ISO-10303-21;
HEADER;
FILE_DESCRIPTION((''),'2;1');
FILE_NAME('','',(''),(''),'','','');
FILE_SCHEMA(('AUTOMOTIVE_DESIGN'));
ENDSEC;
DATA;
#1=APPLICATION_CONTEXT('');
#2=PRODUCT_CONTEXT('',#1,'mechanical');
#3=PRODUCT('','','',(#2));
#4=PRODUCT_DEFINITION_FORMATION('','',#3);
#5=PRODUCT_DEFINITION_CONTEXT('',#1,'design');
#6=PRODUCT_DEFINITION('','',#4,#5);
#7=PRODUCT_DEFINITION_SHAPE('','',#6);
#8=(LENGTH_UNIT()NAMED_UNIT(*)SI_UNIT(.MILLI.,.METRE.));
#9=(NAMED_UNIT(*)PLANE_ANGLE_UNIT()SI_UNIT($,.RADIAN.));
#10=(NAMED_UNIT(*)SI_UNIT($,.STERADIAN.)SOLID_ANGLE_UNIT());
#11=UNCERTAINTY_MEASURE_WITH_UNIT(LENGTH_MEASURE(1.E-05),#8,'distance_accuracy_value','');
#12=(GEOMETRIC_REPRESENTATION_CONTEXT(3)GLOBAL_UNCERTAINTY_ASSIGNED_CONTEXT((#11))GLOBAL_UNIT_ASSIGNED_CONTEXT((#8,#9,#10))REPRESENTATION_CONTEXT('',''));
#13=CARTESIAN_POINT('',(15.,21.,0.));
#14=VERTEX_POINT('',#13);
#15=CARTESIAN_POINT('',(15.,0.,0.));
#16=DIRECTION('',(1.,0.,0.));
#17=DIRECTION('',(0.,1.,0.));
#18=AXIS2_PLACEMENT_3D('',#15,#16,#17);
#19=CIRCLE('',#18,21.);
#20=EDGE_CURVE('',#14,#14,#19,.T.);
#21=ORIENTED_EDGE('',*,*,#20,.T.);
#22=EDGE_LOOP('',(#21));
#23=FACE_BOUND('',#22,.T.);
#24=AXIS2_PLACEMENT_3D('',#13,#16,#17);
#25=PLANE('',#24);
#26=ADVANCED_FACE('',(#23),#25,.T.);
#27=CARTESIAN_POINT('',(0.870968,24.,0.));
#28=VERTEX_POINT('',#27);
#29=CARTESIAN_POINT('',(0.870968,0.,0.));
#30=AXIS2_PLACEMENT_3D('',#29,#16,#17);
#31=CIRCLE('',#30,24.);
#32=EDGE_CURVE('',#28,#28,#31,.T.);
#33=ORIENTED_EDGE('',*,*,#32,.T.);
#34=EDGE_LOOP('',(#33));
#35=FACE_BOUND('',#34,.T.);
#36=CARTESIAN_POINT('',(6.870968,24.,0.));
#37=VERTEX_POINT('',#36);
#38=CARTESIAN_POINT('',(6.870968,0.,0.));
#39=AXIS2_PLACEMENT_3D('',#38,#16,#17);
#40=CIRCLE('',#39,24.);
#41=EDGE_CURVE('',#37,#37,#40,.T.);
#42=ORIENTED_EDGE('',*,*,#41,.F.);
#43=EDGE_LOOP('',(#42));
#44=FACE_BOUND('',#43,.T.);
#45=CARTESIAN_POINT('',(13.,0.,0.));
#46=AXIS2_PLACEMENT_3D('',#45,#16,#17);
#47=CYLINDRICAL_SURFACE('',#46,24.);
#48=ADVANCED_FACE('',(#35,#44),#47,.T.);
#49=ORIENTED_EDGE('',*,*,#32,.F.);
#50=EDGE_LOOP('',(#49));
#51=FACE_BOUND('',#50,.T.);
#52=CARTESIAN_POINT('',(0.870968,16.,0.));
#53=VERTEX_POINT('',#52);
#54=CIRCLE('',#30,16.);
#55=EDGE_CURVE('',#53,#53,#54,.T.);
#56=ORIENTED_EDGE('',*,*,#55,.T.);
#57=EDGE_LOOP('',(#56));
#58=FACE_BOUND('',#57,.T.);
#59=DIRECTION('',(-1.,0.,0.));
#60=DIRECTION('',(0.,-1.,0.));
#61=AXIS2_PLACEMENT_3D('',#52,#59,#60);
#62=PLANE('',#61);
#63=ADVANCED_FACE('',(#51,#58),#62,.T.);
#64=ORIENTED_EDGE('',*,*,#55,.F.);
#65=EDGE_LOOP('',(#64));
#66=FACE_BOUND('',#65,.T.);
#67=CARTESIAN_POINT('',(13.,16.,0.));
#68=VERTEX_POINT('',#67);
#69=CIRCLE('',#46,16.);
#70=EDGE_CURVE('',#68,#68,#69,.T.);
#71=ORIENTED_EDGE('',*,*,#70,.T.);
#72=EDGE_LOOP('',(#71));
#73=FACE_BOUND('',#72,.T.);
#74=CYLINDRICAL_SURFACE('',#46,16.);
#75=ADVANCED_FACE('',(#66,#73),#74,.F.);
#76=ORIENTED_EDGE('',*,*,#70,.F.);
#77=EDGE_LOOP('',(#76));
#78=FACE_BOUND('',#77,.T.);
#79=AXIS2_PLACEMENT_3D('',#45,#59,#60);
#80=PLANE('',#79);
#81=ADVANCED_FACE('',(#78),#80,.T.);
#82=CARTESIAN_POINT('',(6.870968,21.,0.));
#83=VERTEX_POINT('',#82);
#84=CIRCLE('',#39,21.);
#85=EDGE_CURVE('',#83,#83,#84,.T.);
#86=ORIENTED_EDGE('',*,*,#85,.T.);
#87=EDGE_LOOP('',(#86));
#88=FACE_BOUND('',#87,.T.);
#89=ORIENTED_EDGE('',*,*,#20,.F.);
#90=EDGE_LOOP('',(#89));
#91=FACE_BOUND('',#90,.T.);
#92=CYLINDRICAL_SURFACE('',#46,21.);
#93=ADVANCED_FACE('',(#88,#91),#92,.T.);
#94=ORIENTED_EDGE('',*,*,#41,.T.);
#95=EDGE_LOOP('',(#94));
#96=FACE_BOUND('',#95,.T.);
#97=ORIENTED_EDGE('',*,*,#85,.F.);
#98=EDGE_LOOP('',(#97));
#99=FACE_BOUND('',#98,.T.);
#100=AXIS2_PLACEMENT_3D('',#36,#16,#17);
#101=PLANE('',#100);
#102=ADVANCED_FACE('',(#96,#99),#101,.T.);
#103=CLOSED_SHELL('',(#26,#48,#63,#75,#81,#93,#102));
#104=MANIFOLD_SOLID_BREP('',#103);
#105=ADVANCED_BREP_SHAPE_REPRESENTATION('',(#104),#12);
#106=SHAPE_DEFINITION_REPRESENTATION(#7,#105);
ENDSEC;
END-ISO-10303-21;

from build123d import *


with BuildPart() as part:
    # Esquisse1 → Révolution1 (revolve)
    with BuildSketch(Plane.XY):
        Polygon((0.870967742, 24), (6.870967742, 24), (6.870967742, 21), (15, 21), (15, 0), (13, 0), (13, 16), (0.870967742, 16), align=None)
    revolve(axis=Axis((13, 0, 0), (-1, 0, 0)))


solid = part.part
